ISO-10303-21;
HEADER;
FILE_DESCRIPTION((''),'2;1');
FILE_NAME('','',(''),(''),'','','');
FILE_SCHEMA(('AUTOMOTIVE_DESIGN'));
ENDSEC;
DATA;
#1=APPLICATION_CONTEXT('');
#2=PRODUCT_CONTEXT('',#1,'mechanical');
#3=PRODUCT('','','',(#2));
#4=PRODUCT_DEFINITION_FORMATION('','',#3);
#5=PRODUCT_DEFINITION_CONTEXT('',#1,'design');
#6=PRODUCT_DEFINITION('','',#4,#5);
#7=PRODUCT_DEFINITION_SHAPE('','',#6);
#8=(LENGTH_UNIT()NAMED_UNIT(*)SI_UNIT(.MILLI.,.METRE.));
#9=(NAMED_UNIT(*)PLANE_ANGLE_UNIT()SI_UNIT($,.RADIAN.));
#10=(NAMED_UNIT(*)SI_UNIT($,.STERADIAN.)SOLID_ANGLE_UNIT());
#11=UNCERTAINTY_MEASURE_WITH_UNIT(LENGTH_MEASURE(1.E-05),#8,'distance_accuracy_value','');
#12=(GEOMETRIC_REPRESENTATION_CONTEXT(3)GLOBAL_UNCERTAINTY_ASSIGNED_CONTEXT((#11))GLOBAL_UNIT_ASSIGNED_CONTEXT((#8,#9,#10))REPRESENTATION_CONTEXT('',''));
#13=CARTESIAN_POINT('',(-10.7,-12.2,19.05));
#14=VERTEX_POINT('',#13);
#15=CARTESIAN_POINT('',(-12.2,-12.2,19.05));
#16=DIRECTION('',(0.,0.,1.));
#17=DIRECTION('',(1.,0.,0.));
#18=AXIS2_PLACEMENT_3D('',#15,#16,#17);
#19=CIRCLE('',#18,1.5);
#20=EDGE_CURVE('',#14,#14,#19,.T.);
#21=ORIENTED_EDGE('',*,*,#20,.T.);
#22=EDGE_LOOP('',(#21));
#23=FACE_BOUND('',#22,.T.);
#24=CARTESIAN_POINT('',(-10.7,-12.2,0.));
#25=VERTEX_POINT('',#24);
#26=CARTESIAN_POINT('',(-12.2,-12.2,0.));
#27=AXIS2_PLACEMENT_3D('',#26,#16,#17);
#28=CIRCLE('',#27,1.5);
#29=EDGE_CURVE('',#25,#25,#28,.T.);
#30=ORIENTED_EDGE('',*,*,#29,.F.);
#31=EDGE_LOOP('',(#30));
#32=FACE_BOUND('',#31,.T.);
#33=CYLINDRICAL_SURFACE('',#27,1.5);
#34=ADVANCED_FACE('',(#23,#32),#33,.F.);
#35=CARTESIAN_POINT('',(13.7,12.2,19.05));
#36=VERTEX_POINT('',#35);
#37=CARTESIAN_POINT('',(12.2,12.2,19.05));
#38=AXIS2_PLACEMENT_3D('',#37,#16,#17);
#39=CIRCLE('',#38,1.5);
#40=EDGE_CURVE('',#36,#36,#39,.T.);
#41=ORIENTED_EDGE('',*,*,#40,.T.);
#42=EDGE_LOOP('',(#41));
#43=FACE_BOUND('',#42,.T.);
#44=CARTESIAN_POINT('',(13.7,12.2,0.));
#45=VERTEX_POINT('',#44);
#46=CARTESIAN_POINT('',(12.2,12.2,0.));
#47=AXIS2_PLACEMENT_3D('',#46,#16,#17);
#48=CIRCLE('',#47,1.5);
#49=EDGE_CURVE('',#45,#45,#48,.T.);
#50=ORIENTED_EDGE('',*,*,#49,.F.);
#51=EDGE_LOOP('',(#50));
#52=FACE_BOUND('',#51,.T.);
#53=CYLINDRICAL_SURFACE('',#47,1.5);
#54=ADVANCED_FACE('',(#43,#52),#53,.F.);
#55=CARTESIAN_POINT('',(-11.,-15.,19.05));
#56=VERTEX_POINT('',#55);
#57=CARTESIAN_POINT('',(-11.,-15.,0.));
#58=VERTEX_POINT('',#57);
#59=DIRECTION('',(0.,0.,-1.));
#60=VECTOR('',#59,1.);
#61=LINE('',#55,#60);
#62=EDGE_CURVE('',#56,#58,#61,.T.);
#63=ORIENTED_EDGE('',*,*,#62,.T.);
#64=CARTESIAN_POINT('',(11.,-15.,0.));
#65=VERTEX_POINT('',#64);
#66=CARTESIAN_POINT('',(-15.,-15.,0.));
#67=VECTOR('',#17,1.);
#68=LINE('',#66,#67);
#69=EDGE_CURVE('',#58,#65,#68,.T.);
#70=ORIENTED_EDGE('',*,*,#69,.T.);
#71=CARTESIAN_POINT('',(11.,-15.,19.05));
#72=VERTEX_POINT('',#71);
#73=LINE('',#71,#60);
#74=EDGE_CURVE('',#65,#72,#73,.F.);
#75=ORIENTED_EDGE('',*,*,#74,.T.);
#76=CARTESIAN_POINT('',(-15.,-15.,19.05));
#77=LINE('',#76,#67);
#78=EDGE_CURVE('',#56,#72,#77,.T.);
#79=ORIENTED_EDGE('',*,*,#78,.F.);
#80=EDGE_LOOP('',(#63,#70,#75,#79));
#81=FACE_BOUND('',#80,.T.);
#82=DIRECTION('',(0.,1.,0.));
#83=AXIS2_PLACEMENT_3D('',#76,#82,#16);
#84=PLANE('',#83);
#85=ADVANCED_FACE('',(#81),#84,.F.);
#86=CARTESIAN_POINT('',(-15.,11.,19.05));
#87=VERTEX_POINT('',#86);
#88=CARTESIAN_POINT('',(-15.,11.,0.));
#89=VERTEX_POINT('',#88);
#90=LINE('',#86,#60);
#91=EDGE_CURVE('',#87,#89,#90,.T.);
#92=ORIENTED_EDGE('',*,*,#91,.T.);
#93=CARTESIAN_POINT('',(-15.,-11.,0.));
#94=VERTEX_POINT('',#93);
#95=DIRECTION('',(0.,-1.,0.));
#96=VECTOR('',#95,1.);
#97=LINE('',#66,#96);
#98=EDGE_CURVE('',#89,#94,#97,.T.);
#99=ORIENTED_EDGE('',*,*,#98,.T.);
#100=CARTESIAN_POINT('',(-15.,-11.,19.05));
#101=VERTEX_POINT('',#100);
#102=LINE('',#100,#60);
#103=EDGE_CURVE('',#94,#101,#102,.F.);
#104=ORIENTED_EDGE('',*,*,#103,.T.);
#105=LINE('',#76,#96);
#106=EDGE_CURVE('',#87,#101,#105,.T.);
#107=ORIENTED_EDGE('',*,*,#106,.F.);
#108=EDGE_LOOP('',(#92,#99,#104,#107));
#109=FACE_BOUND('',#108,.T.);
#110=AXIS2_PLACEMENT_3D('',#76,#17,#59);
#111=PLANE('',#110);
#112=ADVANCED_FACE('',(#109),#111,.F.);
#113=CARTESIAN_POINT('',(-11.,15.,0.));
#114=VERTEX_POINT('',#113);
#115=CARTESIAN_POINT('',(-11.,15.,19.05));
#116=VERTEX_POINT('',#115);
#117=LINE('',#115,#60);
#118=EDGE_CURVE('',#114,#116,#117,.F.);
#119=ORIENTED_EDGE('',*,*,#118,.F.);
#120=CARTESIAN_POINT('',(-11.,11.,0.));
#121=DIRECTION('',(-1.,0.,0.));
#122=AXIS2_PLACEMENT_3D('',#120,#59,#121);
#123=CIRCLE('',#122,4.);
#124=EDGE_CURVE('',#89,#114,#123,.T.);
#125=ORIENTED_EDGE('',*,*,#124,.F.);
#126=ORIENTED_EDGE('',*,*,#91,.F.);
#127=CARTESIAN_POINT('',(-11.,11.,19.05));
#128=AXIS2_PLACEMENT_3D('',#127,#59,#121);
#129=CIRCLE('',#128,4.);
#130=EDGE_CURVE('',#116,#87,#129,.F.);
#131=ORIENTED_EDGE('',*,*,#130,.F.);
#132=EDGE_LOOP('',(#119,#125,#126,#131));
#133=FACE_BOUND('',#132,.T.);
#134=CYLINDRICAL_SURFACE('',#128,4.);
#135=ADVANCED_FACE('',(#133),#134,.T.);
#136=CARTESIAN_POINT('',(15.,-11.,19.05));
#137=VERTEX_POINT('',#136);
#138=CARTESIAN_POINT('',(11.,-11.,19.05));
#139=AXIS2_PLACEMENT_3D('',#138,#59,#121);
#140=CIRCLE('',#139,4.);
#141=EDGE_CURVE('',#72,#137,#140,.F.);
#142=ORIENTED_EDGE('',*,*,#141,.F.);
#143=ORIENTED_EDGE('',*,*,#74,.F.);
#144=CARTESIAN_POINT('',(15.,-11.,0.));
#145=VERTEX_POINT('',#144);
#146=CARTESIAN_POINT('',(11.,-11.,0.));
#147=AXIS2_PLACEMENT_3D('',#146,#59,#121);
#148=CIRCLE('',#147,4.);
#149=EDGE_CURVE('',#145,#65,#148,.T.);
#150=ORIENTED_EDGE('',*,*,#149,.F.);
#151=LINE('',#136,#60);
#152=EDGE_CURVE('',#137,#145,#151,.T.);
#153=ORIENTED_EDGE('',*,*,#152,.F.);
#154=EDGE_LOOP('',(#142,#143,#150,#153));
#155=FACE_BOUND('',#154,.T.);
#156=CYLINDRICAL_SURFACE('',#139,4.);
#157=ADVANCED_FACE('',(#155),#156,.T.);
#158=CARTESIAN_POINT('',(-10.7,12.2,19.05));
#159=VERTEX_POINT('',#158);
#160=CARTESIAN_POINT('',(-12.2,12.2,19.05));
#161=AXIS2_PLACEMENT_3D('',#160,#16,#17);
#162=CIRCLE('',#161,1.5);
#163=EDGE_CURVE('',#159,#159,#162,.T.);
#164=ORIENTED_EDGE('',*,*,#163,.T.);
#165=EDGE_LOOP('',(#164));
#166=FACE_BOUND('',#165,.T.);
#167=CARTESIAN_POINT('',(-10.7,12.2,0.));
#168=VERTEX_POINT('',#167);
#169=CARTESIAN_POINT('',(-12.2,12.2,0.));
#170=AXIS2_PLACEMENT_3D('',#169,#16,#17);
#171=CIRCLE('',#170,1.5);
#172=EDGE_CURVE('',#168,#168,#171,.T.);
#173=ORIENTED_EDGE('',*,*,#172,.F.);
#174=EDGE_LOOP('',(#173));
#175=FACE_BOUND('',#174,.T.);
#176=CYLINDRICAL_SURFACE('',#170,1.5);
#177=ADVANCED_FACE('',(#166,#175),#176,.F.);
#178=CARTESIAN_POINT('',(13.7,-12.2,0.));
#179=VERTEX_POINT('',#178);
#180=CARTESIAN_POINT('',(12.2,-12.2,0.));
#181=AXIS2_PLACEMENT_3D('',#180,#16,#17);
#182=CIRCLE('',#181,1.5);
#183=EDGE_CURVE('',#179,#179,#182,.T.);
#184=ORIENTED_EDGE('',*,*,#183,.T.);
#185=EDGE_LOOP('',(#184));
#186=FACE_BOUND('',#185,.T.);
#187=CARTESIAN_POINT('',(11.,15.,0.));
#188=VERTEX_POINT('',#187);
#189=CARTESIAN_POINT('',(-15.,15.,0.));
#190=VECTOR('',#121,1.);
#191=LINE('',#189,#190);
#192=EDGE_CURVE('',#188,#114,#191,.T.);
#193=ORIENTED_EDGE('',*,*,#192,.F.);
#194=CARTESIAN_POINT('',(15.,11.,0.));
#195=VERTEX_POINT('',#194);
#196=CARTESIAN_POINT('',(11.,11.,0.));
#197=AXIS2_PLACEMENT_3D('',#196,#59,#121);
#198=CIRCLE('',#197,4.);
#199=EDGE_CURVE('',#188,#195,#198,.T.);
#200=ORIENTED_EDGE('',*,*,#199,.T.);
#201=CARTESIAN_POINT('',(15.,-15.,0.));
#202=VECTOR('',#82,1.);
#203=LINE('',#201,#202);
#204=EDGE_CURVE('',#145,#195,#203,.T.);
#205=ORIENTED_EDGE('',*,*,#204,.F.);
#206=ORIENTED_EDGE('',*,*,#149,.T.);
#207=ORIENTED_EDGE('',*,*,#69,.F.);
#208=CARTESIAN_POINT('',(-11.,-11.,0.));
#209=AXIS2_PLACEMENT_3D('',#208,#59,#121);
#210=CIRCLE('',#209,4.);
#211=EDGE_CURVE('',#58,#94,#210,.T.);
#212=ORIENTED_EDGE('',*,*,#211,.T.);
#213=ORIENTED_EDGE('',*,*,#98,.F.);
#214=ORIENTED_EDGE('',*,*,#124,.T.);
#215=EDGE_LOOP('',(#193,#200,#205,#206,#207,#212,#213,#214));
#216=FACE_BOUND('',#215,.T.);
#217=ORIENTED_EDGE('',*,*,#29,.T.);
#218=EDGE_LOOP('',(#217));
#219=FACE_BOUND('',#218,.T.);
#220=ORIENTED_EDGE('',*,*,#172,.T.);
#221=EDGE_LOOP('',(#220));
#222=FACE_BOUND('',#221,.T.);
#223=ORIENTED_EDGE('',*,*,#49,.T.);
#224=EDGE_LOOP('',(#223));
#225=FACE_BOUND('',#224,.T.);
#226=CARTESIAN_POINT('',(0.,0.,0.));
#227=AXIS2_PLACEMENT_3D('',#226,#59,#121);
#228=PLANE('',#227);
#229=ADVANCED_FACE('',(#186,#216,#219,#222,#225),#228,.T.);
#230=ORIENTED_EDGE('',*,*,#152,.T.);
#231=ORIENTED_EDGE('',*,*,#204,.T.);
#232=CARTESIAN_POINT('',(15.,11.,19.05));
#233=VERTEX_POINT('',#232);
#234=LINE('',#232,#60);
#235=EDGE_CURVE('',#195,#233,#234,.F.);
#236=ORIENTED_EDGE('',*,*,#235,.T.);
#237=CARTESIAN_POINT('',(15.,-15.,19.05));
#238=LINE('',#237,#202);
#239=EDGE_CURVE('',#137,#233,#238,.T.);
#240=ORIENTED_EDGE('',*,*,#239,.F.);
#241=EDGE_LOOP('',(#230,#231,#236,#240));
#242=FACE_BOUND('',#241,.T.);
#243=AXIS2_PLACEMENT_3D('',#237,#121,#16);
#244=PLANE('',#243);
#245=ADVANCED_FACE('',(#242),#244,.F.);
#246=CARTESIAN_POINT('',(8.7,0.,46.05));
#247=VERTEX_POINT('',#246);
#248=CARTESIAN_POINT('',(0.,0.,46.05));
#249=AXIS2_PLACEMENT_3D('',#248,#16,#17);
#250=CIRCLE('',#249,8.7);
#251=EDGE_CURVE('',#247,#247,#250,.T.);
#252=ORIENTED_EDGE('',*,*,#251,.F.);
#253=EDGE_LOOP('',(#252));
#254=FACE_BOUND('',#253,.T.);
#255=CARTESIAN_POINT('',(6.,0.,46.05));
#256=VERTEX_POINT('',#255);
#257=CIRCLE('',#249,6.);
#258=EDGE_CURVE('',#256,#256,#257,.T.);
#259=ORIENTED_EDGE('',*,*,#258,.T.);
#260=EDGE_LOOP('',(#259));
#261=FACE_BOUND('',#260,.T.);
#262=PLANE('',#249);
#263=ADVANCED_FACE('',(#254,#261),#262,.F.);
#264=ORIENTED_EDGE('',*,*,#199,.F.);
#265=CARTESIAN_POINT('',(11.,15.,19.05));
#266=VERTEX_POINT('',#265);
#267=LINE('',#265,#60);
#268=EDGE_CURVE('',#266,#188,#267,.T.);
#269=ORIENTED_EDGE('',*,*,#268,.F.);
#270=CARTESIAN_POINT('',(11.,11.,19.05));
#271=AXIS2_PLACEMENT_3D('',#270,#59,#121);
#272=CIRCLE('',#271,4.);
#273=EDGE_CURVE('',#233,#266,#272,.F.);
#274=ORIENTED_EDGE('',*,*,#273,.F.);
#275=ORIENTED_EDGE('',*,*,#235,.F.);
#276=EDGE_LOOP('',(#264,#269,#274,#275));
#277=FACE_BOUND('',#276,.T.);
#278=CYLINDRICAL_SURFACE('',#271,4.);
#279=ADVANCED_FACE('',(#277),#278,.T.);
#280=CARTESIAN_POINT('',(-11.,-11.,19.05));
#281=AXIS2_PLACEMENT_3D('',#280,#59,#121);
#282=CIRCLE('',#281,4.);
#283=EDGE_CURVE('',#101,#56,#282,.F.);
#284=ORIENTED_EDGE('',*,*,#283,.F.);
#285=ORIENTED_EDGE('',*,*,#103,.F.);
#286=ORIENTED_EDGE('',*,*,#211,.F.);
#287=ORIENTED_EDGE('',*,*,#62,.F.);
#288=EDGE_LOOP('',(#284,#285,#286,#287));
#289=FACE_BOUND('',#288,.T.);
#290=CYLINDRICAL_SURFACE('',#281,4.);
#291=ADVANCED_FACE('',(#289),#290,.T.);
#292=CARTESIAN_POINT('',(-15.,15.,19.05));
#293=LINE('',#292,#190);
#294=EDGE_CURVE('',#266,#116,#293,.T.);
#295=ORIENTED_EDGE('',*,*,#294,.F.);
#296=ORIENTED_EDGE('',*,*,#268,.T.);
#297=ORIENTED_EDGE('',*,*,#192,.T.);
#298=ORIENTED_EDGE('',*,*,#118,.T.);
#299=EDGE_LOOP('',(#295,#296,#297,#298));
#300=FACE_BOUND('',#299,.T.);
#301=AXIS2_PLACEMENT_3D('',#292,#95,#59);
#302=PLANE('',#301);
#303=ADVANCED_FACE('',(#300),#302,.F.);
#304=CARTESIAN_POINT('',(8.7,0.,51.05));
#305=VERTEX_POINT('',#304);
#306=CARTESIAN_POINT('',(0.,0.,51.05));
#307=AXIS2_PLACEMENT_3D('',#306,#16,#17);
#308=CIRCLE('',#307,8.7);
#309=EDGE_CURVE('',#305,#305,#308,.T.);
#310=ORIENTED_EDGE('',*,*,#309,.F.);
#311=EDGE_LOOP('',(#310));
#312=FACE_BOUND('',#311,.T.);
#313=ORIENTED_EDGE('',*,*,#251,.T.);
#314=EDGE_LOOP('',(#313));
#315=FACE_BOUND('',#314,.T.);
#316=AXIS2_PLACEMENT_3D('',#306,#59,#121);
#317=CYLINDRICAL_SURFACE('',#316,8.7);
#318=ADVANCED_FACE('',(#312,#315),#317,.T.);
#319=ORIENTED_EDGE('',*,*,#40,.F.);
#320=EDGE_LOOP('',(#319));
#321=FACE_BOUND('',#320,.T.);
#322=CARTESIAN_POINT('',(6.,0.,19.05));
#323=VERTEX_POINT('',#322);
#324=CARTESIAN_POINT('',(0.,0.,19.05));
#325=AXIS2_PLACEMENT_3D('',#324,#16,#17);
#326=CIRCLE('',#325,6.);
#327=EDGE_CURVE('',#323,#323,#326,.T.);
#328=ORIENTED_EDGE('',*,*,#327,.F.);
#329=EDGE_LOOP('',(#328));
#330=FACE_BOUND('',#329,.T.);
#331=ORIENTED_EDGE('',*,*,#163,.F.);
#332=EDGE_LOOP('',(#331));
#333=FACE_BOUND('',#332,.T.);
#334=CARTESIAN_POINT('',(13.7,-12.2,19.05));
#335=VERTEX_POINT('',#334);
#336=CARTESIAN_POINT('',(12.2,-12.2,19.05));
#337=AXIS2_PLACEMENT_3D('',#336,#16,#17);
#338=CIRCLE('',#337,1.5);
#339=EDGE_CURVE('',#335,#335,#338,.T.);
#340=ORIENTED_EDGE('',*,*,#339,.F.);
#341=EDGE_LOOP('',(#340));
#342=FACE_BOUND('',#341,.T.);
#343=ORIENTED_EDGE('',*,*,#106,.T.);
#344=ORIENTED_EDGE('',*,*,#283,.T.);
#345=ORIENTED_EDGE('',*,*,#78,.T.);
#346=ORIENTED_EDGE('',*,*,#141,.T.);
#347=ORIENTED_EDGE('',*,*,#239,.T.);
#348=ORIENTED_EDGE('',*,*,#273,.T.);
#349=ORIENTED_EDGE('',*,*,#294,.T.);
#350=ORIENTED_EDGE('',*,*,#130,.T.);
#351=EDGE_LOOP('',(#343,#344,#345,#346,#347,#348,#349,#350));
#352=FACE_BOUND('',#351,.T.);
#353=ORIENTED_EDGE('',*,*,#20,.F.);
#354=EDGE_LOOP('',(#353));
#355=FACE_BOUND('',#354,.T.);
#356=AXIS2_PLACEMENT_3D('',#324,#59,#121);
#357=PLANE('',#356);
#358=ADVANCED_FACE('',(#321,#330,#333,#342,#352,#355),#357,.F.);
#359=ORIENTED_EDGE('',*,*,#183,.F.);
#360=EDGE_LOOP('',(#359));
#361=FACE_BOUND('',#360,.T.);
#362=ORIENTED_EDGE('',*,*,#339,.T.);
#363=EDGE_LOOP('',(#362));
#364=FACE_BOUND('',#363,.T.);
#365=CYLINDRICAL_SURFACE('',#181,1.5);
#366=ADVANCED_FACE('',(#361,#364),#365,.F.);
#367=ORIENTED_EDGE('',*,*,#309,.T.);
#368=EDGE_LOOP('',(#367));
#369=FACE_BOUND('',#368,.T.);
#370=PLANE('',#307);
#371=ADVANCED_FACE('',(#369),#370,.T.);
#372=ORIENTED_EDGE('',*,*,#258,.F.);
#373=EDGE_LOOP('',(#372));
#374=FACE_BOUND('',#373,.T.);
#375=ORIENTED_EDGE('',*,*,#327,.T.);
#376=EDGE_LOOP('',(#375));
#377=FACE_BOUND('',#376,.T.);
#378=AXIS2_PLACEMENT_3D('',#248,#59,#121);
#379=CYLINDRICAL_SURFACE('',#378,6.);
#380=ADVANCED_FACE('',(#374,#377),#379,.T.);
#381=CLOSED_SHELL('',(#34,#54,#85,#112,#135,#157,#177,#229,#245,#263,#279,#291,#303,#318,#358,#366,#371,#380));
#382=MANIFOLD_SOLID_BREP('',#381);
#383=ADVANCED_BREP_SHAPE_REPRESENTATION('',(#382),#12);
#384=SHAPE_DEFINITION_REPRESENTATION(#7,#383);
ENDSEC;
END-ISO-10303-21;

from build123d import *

# Parameters (mm, degrees)
SKETCH1_W           = 30
SKETCH1_H           = 30
BOSS_EXTRUDE1_DEPTH = 19.05
FILLET1_R           = 4
SKETCH2_R           = 1.5
CUT_EXTRUDE1_DEPTH  = 20.05
SKETCH3_R           = 8.7
BOSS_EXTRUDE2_DEPTH = 32
SKETCH4_R           = 8.7
SKETCH4_R_2         = 6
CUT_EXTRUDE2_DEPTH  = 27


with BuildPart() as part:
    # Sketch1 → Boss-Extrude1 (new body)
    with BuildSketch(Plane.XY):
        Rectangle(SKETCH1_W, SKETCH1_H)
    extrude(amount=BOSS_EXTRUDE1_DEPTH)

    # Fillet1
    fillet1_edges = [part.edges().sort_by_distance(p)[0] for p in [
        (15, -15, 9.525),
        (-15, -15, 9.525),
        (-15, 15, 9.525),
        (15, 15, 9.525),
    ]]
    fillet(fillet1_edges, radius=FILLET1_R)

    # Sketch2 → Cut-Extrude1 (cut, through all)
    with BuildSketch(Plane.XY.offset(19.05)):
        with Locations((-12.2, 12.2)):
            Circle(SKETCH2_R)
        with Locations((12.2, 12.2)):
            Circle(SKETCH2_R)
        with Locations((12.2, -12.2)):
            Circle(SKETCH2_R)
        with Locations((-12.2, -12.2)):
            Circle(SKETCH2_R)
    extrude(amount=-CUT_EXTRUDE1_DEPTH, mode=Mode.SUBTRACT)

    # Sketch3 → Boss-Extrude2 (add)
    with BuildSketch(Plane.XY.offset(19.05)):
        Circle(SKETCH3_R)
    extrude(amount=BOSS_EXTRUDE2_DEPTH)

    # Sketch4 → Cut-Extrude2 (cut)
    with BuildSketch(Plane.XY.offset(19.05)):
        Circle(SKETCH4_R)
        Circle(SKETCH4_R_2, mode=Mode.SUBTRACT)
    extrude(amount=CUT_EXTRUDE2_DEPTH, mode=Mode.SUBTRACT)


solid = part.part
